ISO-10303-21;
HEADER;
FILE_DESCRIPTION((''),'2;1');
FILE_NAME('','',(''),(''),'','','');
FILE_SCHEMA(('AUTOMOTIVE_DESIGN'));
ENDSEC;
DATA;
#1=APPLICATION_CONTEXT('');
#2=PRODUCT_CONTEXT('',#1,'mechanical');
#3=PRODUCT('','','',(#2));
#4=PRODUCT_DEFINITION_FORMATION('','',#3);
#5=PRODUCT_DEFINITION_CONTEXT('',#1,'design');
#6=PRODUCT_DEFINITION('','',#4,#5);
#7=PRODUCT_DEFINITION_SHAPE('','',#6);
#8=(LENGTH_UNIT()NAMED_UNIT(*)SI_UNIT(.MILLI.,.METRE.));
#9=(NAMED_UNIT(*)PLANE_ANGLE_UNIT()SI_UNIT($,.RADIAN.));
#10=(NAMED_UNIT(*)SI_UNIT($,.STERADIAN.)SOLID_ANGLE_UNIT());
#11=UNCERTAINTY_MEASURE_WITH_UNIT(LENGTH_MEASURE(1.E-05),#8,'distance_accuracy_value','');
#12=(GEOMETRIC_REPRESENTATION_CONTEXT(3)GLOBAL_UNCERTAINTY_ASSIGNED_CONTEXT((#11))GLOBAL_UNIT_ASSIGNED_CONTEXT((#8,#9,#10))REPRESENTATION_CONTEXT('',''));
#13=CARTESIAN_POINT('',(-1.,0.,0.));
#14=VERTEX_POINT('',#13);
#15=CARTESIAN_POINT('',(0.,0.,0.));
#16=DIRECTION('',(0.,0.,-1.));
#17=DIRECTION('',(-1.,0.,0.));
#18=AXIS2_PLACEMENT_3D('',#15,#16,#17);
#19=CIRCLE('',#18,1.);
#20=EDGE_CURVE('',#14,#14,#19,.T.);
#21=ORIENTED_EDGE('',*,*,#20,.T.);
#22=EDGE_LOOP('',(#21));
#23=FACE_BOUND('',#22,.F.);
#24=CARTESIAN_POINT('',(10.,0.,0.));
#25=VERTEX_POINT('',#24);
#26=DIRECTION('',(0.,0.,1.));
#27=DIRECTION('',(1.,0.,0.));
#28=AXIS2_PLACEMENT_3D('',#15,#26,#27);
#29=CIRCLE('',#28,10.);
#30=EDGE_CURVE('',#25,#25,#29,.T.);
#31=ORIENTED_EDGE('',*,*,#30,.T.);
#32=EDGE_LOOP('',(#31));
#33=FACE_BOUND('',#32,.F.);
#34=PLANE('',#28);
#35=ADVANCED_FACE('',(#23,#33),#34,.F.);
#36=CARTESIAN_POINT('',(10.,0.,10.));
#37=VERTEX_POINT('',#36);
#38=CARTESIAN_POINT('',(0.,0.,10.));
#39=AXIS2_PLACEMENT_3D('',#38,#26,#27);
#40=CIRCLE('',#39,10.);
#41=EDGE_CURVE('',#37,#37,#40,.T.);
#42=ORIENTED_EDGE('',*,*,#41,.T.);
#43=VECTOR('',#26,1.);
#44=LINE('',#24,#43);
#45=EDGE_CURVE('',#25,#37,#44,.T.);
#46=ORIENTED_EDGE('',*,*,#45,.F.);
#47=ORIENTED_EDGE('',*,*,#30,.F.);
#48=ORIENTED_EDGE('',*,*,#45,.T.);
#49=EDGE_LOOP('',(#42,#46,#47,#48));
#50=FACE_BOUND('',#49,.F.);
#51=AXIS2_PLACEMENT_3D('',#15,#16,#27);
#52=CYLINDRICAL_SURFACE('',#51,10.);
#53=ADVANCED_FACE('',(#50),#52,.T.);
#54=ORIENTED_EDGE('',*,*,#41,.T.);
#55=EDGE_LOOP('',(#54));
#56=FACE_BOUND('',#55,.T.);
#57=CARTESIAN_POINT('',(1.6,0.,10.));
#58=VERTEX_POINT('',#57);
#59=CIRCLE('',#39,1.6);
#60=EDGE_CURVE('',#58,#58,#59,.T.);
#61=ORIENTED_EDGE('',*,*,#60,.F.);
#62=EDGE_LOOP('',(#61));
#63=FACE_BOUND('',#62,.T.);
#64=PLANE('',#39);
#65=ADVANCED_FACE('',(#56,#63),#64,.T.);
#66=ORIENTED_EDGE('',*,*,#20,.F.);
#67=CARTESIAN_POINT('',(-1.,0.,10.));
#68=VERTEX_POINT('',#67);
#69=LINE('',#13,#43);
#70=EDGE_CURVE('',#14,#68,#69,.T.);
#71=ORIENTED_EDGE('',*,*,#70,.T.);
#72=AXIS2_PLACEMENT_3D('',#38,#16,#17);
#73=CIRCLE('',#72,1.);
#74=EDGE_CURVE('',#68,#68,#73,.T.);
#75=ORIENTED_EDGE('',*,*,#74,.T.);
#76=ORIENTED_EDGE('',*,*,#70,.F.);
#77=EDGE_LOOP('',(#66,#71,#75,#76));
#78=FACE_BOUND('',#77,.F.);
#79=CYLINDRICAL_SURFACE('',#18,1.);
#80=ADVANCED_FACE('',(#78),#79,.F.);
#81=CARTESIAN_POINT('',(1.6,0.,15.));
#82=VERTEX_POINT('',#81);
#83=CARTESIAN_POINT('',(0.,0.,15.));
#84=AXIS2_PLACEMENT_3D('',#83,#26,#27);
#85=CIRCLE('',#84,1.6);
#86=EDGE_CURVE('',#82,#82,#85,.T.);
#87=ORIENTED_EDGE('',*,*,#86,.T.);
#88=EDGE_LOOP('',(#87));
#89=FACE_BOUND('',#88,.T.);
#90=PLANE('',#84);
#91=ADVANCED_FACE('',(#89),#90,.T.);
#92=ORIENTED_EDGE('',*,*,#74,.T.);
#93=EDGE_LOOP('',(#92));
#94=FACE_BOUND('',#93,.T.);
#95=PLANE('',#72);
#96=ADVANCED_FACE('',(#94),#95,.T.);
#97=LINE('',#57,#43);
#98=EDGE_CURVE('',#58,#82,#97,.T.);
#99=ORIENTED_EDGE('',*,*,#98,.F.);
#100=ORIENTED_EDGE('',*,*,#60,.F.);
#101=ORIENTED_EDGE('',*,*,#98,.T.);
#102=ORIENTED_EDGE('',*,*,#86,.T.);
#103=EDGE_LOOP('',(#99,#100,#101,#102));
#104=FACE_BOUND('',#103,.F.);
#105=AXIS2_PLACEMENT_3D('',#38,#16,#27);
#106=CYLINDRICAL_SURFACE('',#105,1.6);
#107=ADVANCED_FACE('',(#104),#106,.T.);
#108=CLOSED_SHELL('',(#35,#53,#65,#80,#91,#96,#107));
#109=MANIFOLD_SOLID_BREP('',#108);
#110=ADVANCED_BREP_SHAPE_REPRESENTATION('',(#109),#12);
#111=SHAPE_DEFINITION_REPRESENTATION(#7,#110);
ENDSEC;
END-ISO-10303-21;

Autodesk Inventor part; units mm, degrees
ref_plane "YZ Plane" through (0, 0, 0) normal (1, 0, 0) x (0, 1, 0)
ref_plane "XZ Plane" through (0, 0, 0) normal (0, 1, 0) x (-1, 0, 0)
ref_plane "XY Plane" through (0, 0, 0) normal (0, 0, 1) x (1, 0, 0)
sketch "Sketch1" plane through (0, 0, 0) normal (0, 0, 1) x (1, 0, 0)
  circle A0 centre (0, 0) radius 10
  dimension "d0" = 20
extrude "Extrusion1" add sketch "Sketch1" along normal blind 10
sketch "Sketch2" plane through (0, 0, 10) normal (0, 0, 1) x (1, 0, 0)
  circle A0 centre (0, 0) radius 1.6
  dimension "d3" = 3.2
extrude "Extrusion2" add sketch "Sketch2" along normal blind 5
sketch "Sketch3" plane through (0, 0, 0) normal (0, 0, -1) x (-1, 0, 0)
  circle A0 centre (0, 0) radius 1
  dimension "d6" = 2
extrude "Extrusion3" cut sketch "Sketch3" against normal blind 10
properties part number "string holder head"
